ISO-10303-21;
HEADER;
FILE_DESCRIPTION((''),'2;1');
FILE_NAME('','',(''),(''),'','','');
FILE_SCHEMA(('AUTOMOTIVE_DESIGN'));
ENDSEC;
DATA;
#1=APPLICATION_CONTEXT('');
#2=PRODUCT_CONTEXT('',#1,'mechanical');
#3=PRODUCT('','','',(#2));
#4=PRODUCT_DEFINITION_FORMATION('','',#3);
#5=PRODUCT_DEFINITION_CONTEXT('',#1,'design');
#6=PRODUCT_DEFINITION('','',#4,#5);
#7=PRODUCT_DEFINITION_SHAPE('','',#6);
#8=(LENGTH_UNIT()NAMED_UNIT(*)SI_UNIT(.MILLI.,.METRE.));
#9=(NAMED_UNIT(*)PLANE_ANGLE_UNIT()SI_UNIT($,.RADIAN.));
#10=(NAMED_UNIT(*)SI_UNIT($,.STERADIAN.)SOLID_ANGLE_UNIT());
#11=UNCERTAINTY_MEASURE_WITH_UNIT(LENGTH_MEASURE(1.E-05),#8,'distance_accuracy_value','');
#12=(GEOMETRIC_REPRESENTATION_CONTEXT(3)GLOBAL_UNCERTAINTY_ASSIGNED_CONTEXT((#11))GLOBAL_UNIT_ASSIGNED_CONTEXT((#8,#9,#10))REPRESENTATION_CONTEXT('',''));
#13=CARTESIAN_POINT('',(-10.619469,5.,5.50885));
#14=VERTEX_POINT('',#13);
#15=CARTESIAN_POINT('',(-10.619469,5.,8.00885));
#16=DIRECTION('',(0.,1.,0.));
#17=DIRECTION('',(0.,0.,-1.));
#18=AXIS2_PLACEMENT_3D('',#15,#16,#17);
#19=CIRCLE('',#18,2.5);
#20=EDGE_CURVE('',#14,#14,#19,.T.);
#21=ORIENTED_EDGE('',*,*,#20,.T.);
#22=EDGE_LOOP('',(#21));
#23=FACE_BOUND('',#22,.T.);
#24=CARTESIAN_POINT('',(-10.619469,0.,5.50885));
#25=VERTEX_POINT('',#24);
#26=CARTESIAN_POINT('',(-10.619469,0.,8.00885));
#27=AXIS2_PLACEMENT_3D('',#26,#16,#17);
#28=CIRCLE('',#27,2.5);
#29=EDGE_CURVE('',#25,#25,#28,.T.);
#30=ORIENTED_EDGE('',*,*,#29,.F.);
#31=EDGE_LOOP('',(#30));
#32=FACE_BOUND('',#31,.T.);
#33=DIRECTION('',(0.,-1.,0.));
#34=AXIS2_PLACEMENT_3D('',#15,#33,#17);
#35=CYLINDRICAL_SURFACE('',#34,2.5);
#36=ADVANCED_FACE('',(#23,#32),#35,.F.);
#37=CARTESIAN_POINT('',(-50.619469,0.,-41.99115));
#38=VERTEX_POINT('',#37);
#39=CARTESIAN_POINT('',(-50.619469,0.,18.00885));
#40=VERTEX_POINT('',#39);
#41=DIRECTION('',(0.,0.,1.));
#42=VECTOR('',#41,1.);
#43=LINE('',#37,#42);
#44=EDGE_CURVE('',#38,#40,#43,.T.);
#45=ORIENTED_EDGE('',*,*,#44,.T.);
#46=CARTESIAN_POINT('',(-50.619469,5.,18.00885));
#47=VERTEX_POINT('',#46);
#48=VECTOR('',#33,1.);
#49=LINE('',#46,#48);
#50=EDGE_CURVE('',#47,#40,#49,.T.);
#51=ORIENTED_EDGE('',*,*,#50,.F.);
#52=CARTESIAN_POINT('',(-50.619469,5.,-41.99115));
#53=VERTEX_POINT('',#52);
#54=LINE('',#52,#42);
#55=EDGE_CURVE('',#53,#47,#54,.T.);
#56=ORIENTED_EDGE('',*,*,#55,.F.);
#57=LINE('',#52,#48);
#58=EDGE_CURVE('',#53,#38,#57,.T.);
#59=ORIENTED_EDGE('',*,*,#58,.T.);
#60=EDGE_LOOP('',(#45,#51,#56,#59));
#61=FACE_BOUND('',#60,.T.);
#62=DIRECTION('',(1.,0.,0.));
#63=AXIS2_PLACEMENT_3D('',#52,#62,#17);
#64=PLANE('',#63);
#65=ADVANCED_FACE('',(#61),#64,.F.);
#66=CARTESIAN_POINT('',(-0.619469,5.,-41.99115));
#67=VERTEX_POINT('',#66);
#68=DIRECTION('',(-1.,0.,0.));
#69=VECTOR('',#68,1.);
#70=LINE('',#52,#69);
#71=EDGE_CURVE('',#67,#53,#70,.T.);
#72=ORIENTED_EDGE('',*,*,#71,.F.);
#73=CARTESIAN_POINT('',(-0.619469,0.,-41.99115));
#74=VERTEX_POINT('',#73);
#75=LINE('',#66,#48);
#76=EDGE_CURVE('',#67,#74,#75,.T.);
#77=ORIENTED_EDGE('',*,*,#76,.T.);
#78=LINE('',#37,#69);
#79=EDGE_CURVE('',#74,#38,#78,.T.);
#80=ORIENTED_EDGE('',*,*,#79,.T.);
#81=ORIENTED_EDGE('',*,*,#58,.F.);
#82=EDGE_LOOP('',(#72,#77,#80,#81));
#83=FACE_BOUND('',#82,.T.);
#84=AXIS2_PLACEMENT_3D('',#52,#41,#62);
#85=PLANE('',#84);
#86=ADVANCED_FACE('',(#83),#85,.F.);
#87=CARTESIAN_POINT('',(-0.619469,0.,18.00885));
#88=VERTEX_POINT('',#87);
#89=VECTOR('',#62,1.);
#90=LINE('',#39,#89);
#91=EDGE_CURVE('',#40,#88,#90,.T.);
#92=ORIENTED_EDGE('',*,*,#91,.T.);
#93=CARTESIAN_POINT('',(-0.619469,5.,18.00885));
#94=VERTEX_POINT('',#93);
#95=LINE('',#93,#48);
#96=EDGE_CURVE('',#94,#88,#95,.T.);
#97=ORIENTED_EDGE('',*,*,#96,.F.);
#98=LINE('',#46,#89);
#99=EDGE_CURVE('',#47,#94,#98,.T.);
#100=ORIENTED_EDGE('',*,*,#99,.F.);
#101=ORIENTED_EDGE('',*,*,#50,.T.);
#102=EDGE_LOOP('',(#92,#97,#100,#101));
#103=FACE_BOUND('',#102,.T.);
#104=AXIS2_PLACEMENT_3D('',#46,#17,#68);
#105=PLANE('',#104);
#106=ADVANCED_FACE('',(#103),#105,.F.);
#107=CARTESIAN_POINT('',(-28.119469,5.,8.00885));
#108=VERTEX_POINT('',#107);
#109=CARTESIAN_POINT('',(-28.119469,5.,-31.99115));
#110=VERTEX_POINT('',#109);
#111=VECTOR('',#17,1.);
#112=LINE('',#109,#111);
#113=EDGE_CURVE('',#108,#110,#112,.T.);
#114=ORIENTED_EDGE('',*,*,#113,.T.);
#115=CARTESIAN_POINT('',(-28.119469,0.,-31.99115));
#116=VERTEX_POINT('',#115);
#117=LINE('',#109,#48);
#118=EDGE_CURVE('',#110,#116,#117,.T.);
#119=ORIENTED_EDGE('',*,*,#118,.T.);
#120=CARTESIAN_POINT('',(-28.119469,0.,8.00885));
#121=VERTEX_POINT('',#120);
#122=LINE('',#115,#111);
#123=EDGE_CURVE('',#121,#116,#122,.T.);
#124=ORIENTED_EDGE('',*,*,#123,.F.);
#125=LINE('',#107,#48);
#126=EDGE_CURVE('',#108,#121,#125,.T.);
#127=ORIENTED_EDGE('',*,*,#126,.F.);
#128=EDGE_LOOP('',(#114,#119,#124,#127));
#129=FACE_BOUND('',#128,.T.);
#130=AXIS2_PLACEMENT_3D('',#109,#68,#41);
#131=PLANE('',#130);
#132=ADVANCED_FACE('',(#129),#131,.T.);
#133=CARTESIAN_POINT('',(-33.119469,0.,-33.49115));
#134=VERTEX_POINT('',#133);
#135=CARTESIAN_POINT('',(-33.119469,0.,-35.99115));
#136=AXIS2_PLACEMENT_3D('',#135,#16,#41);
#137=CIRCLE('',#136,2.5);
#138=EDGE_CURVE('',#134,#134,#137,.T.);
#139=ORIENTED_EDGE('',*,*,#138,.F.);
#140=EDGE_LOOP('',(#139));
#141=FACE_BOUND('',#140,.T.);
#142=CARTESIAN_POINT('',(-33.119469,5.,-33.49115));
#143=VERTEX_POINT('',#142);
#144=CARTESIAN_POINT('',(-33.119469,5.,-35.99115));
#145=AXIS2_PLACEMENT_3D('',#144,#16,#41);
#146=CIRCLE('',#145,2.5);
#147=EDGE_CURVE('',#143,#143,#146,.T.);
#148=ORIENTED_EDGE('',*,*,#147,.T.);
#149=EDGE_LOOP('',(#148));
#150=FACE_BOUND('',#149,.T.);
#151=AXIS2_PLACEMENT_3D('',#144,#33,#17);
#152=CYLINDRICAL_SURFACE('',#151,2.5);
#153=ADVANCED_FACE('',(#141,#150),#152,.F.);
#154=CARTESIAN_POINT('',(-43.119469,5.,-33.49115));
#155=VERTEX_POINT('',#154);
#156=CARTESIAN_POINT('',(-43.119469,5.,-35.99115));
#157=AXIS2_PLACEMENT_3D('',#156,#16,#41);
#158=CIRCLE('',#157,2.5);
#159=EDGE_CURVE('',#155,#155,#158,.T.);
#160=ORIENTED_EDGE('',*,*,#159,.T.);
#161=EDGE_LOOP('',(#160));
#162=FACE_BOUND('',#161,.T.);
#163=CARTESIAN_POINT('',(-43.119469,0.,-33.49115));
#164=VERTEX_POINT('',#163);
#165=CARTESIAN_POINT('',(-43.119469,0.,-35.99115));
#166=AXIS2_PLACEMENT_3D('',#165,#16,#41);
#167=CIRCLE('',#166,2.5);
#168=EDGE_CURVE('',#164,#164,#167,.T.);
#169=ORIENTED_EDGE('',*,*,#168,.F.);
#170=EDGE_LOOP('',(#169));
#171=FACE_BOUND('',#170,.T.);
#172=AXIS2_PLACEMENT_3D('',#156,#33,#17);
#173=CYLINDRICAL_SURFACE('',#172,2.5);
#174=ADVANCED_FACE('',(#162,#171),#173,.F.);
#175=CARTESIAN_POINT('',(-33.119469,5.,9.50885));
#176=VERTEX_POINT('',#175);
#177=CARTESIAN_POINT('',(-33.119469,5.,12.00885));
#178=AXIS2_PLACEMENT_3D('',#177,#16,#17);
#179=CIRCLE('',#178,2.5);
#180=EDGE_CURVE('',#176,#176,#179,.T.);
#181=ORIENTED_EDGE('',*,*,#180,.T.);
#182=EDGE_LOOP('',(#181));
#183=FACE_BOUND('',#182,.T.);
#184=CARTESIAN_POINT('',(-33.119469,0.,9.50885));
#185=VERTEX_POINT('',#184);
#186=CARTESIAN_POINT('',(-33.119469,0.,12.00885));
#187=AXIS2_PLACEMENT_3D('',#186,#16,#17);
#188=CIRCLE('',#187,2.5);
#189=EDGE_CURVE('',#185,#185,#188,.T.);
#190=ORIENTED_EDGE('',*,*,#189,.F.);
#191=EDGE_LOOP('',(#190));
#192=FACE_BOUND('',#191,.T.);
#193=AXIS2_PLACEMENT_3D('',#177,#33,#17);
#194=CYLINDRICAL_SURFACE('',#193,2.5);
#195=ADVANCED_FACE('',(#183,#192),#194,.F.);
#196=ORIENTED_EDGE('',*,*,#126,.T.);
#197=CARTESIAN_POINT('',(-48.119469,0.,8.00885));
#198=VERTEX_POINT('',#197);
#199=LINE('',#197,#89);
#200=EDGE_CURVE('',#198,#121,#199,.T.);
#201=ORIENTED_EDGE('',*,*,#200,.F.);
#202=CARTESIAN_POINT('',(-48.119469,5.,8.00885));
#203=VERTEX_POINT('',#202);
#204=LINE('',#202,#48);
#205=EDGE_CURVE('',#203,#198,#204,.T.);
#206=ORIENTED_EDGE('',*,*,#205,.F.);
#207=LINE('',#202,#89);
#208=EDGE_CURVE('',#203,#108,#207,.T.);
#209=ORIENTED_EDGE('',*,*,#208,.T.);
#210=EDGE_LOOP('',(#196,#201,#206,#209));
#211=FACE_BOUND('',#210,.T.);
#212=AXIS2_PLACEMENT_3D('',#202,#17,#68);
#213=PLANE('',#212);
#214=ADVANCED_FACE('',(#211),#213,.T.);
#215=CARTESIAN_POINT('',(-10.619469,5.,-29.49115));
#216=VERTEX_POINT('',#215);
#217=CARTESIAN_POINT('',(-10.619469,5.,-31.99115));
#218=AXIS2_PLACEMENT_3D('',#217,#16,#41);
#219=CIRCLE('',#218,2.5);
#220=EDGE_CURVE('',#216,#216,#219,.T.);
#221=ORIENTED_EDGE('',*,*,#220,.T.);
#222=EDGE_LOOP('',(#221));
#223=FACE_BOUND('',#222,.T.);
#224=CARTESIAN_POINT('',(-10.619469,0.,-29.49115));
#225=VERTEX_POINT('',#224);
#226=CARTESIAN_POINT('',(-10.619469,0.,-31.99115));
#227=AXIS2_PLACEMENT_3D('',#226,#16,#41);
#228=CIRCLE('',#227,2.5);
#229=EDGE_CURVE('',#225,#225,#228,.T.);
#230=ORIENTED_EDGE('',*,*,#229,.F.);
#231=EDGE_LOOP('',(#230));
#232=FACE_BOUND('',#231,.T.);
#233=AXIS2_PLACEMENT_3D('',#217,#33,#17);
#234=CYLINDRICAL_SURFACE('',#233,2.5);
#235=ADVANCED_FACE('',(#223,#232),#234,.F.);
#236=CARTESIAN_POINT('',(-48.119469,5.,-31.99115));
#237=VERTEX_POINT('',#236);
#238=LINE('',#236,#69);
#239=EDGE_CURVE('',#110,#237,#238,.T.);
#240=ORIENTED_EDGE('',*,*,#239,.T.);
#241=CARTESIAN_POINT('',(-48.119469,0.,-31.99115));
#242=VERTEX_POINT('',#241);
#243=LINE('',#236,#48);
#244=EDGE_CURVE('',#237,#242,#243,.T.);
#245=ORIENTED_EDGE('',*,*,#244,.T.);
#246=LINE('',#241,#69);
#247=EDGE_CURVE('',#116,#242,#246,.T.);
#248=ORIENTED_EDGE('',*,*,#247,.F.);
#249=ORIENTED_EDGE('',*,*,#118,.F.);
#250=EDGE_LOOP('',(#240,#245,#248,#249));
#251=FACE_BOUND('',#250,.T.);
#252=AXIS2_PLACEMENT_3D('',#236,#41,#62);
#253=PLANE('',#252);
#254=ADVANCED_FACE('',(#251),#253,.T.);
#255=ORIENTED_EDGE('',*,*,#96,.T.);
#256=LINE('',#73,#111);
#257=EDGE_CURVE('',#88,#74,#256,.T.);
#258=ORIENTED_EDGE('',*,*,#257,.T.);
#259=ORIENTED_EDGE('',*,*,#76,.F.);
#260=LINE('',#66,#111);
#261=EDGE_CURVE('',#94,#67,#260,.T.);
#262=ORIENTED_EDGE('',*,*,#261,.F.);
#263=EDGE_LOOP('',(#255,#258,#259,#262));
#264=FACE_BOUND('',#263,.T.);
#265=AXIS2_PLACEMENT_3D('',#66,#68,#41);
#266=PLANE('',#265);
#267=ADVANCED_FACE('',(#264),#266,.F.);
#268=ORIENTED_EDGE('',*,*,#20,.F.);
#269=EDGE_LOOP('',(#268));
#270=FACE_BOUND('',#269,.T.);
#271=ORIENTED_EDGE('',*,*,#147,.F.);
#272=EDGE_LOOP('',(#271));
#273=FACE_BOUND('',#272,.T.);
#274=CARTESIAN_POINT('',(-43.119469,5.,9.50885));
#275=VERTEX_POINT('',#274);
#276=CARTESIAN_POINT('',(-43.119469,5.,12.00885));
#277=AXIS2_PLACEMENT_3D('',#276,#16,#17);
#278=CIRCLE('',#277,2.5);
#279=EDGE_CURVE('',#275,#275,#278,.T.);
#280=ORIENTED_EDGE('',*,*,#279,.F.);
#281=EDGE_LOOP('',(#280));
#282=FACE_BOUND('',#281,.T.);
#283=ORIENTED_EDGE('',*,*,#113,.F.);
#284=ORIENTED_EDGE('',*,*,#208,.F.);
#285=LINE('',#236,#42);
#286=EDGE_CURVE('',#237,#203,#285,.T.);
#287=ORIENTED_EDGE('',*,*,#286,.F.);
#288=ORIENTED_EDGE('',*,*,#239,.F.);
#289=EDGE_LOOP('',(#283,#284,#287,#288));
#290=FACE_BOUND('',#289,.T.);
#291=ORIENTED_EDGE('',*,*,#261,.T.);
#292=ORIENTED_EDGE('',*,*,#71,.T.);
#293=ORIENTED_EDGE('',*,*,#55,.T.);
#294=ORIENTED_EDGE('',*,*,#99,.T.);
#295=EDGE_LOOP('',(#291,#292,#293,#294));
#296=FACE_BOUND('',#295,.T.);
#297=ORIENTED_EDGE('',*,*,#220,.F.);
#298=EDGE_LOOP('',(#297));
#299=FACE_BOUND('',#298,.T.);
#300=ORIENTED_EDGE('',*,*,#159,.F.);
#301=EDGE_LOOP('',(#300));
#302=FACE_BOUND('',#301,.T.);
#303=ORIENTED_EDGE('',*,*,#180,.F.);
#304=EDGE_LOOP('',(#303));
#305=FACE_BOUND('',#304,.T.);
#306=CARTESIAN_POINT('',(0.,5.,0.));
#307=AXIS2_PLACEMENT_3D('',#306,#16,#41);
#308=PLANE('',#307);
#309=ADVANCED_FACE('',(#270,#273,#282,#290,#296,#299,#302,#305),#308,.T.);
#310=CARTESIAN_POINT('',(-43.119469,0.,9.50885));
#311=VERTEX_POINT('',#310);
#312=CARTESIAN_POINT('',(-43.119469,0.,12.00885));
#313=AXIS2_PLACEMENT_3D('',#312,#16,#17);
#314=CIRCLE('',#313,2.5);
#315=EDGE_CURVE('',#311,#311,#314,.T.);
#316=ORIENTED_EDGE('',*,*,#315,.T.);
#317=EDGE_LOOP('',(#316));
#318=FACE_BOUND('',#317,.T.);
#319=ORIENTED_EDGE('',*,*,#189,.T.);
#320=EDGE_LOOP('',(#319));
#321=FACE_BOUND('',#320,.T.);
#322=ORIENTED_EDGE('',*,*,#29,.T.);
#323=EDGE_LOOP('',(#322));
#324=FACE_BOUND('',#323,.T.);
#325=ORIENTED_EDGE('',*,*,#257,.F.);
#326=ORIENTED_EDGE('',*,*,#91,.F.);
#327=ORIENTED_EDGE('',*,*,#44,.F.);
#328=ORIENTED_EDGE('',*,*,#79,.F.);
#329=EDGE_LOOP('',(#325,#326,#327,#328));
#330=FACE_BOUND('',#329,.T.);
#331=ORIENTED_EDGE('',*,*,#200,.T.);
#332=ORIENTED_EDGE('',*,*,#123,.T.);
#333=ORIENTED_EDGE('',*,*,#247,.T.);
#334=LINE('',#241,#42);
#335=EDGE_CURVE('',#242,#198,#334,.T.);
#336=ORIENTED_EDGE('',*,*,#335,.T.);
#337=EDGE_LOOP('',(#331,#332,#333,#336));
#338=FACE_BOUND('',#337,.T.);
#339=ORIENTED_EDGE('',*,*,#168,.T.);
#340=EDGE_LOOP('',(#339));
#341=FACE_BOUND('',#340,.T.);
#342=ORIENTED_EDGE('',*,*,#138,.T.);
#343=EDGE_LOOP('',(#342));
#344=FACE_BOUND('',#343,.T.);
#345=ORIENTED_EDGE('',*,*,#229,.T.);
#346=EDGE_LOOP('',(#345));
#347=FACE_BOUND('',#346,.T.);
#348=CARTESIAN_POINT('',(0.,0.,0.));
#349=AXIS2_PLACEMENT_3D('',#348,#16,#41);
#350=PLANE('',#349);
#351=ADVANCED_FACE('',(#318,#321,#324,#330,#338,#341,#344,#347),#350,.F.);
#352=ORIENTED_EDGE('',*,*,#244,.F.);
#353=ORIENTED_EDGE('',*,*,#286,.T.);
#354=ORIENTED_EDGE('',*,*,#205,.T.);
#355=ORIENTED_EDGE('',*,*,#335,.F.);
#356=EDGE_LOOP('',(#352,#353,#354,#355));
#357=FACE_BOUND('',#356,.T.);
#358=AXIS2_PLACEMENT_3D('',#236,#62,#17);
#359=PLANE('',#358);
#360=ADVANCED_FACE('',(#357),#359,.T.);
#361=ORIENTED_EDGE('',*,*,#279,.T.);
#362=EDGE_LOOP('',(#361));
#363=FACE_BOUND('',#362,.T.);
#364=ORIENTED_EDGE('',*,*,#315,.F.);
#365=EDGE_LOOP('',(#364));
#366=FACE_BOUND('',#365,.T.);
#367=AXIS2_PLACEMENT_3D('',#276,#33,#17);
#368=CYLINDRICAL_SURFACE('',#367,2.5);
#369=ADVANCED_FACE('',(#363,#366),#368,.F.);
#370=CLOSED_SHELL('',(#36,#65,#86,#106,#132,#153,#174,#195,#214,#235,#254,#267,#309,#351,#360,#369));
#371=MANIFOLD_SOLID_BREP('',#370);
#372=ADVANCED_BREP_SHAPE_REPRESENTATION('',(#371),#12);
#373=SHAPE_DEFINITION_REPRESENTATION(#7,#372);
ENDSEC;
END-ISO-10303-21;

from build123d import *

# Parameters (mm, degrees)
SKETCH1_W           = 50
SKETCH1_H           = 60
SKETCH1_R           = 2.5
SKETCH1_W_2         = 20
SKETCH1_H_2         = 40
BOSS_EXTRUDE1_DEPTH = 5


with BuildPart() as part:
    # Sketch1 → Boss-Extrude1 (new body)
    with BuildSketch(Plane(origin=(0, 0, 0), x_dir=(1, 0, 0), z_dir=(0, 1, 0))):
        with Locations((-25.619469027, 11.991150442)):
            Rectangle(SKETCH1_W, SKETCH1_H)
        with Locations(Location((-10.619469027, 31.991150442, 0), (0, 0, 270))):
            Circle(SKETCH1_R, mode=Mode.SUBTRACT)
        with Locations(Location((-10.619469027, -8.008849558, 0), (0, 0, 90))):
            Circle(SKETCH1_R, mode=Mode.SUBTRACT)
        with Locations(Location((-43.119469027, 35.991150442, 0), (0, 0, 270))):
            Circle(SKETCH1_R, mode=Mode.SUBTRACT)
        with Locations(Location((-33.119469027, 35.991150442, 0), (0, 0, 270))):
            Circle(SKETCH1_R, mode=Mode.SUBTRACT)
        with Locations(Location((-43.119469027, -12.008849558, 0), (0, 0, 90))):
            Circle(SKETCH1_R, mode=Mode.SUBTRACT)
        with Locations(Location((-33.119469027, -12.008849558, 0), (0, 0, 90))):
            Circle(SKETCH1_R, mode=Mode.SUBTRACT)
        with Locations((-38.119469027, 11.991150442)):
            Rectangle(SKETCH1_W_2, SKETCH1_H_2, mode=Mode.SUBTRACT)
    extrude(amount=BOSS_EXTRUDE1_DEPTH)


solid = part.part
